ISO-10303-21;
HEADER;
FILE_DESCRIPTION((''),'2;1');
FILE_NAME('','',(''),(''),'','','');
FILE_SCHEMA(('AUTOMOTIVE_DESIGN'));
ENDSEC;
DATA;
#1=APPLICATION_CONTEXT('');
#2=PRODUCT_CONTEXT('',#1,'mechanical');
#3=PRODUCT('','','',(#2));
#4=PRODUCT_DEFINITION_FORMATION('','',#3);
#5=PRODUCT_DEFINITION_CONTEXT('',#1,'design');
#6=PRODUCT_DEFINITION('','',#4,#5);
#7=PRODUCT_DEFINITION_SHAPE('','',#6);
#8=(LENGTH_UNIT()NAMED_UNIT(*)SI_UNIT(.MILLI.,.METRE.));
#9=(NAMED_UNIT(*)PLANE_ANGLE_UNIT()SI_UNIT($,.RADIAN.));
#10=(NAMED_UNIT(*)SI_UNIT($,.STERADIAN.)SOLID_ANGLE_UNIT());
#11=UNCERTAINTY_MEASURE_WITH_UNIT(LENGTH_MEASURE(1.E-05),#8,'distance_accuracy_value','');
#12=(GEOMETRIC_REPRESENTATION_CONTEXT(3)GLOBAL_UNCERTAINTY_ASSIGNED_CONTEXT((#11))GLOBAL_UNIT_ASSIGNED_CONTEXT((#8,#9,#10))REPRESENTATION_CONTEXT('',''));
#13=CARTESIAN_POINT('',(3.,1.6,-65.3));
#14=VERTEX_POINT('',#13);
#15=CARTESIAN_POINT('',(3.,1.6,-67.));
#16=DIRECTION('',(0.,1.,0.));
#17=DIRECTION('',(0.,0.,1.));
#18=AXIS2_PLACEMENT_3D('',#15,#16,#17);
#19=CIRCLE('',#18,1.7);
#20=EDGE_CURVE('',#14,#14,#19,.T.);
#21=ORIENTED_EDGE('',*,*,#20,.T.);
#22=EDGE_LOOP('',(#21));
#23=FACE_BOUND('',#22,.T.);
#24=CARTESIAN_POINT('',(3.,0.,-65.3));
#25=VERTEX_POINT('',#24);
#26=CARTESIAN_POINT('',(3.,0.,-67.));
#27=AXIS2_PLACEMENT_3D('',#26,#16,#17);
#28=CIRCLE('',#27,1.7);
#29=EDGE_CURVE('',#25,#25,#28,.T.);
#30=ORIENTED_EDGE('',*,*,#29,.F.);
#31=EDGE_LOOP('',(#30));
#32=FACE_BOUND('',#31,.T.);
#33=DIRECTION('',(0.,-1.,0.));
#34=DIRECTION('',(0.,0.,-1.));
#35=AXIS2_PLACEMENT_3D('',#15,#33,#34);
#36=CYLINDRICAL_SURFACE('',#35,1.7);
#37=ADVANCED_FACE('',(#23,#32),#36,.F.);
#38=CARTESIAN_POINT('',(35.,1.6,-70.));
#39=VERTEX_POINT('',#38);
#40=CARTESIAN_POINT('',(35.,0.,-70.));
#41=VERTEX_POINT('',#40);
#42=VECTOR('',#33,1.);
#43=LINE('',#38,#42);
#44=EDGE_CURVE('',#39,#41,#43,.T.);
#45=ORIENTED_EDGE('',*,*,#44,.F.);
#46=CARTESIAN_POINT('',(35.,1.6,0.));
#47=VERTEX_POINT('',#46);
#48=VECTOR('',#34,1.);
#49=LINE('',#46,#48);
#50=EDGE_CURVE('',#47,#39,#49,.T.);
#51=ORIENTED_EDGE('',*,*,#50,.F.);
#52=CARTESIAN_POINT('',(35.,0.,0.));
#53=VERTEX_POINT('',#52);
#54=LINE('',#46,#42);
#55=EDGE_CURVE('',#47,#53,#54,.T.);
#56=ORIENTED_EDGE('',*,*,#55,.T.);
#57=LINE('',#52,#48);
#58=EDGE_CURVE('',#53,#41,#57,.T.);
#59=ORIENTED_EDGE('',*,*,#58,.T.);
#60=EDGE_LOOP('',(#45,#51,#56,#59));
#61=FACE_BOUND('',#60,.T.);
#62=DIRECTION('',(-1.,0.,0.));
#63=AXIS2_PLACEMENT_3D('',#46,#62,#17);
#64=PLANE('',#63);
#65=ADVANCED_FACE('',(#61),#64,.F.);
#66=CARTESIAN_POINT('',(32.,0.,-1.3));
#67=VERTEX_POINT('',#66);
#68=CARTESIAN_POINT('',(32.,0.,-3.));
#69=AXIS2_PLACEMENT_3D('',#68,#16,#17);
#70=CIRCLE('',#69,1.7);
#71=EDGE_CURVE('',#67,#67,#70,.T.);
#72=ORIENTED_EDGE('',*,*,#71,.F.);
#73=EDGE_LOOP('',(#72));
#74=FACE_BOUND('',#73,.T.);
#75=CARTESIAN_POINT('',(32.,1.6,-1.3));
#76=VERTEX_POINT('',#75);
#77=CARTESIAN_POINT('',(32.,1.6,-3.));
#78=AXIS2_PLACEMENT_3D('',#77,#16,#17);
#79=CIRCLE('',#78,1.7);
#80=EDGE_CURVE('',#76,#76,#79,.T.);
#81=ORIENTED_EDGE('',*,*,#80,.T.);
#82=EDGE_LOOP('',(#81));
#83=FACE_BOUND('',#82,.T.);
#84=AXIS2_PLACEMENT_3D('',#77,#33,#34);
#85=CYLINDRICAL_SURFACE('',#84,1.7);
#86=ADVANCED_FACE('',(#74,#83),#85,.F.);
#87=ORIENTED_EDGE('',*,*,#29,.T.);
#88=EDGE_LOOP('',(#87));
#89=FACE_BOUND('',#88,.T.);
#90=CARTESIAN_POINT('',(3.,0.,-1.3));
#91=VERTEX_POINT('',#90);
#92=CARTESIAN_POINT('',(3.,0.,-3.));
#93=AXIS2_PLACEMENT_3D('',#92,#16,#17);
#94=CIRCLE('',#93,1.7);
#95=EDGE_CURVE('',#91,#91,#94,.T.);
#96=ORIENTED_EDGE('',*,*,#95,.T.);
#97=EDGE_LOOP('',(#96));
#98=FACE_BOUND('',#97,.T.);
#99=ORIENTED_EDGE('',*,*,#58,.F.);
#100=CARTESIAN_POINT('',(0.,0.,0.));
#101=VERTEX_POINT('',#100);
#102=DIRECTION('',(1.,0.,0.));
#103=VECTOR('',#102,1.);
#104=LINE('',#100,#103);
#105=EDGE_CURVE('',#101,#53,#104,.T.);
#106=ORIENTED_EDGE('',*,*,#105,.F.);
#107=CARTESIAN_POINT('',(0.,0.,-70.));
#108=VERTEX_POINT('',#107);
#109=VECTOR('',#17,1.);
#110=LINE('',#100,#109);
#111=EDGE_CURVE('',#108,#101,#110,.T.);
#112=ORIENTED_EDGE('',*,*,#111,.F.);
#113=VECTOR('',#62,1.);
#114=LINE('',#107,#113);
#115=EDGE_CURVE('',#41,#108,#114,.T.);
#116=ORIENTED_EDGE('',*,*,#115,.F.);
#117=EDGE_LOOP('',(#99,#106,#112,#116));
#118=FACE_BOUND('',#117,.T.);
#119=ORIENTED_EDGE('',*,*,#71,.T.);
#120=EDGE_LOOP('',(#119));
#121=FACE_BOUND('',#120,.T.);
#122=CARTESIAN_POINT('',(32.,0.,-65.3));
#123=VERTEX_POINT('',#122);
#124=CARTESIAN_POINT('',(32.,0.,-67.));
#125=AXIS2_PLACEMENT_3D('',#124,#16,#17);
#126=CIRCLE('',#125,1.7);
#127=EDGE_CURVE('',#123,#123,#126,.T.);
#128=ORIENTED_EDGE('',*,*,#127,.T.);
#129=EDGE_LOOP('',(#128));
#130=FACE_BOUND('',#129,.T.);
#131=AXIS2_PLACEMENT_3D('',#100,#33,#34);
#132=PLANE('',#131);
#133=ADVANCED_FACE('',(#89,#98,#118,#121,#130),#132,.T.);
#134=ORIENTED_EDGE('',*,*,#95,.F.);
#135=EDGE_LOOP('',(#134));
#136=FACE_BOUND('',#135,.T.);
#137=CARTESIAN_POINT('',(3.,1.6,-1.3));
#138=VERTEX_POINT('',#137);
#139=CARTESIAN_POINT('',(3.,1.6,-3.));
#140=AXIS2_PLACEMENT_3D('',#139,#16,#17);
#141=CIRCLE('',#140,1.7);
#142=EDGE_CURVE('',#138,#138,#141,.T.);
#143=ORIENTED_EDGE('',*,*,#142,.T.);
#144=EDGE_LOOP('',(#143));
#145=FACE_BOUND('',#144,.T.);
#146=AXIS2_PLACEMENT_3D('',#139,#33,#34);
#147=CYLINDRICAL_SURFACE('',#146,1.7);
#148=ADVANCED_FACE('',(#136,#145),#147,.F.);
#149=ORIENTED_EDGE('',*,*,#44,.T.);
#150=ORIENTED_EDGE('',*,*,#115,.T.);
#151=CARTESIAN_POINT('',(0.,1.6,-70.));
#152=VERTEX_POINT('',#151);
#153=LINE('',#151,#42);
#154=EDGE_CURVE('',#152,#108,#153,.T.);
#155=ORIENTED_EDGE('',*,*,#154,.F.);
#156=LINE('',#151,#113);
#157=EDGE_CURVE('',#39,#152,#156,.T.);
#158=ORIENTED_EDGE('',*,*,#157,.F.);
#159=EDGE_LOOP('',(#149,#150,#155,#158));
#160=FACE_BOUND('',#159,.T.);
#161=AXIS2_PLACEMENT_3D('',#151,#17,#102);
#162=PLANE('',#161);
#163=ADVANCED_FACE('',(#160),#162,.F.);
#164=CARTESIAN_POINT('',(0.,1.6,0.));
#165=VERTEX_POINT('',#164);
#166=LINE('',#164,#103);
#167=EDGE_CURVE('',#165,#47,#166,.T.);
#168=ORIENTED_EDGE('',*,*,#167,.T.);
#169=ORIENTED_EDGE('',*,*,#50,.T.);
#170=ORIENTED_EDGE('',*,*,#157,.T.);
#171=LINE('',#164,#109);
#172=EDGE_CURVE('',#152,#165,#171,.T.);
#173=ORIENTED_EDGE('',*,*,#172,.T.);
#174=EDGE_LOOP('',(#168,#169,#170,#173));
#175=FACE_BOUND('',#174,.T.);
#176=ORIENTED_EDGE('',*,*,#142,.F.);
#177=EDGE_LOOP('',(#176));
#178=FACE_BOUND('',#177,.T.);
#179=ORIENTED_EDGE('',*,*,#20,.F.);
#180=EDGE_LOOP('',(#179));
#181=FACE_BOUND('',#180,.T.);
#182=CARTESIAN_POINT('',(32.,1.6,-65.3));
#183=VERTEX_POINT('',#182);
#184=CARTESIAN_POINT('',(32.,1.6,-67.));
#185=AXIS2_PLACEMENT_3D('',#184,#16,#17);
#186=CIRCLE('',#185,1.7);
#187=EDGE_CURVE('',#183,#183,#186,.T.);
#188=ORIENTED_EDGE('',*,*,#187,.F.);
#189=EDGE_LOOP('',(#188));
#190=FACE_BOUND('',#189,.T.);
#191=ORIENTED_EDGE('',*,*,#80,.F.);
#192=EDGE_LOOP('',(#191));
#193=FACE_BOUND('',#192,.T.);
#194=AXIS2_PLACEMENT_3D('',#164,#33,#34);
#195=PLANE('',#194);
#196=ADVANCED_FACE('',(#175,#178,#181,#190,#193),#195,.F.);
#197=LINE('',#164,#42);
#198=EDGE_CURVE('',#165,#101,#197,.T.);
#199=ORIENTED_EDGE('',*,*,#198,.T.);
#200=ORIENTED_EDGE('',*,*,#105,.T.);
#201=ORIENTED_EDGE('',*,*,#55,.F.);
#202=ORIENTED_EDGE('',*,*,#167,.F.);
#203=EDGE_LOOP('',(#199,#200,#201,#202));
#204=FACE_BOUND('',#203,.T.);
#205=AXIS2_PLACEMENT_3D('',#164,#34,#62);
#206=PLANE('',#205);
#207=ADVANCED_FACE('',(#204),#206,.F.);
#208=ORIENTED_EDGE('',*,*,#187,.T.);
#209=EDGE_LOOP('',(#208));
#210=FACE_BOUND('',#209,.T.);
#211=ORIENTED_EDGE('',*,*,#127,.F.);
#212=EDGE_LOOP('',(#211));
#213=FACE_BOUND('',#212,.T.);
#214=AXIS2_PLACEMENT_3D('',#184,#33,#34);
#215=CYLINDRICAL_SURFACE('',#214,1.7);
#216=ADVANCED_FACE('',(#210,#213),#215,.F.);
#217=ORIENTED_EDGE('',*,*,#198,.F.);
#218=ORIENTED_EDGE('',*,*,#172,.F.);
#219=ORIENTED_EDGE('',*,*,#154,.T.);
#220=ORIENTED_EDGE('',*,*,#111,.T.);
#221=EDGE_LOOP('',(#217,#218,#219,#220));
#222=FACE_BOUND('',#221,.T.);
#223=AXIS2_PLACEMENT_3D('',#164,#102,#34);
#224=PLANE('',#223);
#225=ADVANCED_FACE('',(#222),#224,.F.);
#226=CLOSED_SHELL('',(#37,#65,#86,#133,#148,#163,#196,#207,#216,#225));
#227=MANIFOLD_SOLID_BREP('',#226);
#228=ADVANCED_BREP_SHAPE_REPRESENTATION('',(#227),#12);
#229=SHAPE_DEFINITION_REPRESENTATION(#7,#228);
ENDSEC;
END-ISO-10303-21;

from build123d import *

# Parameters (mm, degrees)
SKETCH1_W           = 35
SKETCH1_H           = 70
SKETCH1_R           = 1.7
BOSS_EXTRUDE1_DEPTH = 1.6


with BuildPart() as part:
    # Sketch1 → Boss-Extrude1 (new body)
    with BuildSketch(Plane(origin=(0, 0, 0), x_dir=(1, 0, 0), z_dir=(0, 1, 0))):
        with Locations((17.5, 35)):
            Rectangle(SKETCH1_W, SKETCH1_H)
        with Locations(Location((3, 3, 0), (0, 0, 270))):
            Circle(SKETCH1_R, mode=Mode.SUBTRACT)
        with Locations(Location((32, 3, 0), (0, 0, 270))):
            Circle(SKETCH1_R, mode=Mode.SUBTRACT)
        with Locations(Location((3, 67, 0), (0, 0, 270))):
            Circle(SKETCH1_R, mode=Mode.SUBTRACT)
        with Locations(Location((32, 67, 0), (0, 0, 270))):
            Circle(SKETCH1_R, mode=Mode.SUBTRACT)
    extrude(amount=BOSS_EXTRUDE1_DEPTH)


solid = part.part
